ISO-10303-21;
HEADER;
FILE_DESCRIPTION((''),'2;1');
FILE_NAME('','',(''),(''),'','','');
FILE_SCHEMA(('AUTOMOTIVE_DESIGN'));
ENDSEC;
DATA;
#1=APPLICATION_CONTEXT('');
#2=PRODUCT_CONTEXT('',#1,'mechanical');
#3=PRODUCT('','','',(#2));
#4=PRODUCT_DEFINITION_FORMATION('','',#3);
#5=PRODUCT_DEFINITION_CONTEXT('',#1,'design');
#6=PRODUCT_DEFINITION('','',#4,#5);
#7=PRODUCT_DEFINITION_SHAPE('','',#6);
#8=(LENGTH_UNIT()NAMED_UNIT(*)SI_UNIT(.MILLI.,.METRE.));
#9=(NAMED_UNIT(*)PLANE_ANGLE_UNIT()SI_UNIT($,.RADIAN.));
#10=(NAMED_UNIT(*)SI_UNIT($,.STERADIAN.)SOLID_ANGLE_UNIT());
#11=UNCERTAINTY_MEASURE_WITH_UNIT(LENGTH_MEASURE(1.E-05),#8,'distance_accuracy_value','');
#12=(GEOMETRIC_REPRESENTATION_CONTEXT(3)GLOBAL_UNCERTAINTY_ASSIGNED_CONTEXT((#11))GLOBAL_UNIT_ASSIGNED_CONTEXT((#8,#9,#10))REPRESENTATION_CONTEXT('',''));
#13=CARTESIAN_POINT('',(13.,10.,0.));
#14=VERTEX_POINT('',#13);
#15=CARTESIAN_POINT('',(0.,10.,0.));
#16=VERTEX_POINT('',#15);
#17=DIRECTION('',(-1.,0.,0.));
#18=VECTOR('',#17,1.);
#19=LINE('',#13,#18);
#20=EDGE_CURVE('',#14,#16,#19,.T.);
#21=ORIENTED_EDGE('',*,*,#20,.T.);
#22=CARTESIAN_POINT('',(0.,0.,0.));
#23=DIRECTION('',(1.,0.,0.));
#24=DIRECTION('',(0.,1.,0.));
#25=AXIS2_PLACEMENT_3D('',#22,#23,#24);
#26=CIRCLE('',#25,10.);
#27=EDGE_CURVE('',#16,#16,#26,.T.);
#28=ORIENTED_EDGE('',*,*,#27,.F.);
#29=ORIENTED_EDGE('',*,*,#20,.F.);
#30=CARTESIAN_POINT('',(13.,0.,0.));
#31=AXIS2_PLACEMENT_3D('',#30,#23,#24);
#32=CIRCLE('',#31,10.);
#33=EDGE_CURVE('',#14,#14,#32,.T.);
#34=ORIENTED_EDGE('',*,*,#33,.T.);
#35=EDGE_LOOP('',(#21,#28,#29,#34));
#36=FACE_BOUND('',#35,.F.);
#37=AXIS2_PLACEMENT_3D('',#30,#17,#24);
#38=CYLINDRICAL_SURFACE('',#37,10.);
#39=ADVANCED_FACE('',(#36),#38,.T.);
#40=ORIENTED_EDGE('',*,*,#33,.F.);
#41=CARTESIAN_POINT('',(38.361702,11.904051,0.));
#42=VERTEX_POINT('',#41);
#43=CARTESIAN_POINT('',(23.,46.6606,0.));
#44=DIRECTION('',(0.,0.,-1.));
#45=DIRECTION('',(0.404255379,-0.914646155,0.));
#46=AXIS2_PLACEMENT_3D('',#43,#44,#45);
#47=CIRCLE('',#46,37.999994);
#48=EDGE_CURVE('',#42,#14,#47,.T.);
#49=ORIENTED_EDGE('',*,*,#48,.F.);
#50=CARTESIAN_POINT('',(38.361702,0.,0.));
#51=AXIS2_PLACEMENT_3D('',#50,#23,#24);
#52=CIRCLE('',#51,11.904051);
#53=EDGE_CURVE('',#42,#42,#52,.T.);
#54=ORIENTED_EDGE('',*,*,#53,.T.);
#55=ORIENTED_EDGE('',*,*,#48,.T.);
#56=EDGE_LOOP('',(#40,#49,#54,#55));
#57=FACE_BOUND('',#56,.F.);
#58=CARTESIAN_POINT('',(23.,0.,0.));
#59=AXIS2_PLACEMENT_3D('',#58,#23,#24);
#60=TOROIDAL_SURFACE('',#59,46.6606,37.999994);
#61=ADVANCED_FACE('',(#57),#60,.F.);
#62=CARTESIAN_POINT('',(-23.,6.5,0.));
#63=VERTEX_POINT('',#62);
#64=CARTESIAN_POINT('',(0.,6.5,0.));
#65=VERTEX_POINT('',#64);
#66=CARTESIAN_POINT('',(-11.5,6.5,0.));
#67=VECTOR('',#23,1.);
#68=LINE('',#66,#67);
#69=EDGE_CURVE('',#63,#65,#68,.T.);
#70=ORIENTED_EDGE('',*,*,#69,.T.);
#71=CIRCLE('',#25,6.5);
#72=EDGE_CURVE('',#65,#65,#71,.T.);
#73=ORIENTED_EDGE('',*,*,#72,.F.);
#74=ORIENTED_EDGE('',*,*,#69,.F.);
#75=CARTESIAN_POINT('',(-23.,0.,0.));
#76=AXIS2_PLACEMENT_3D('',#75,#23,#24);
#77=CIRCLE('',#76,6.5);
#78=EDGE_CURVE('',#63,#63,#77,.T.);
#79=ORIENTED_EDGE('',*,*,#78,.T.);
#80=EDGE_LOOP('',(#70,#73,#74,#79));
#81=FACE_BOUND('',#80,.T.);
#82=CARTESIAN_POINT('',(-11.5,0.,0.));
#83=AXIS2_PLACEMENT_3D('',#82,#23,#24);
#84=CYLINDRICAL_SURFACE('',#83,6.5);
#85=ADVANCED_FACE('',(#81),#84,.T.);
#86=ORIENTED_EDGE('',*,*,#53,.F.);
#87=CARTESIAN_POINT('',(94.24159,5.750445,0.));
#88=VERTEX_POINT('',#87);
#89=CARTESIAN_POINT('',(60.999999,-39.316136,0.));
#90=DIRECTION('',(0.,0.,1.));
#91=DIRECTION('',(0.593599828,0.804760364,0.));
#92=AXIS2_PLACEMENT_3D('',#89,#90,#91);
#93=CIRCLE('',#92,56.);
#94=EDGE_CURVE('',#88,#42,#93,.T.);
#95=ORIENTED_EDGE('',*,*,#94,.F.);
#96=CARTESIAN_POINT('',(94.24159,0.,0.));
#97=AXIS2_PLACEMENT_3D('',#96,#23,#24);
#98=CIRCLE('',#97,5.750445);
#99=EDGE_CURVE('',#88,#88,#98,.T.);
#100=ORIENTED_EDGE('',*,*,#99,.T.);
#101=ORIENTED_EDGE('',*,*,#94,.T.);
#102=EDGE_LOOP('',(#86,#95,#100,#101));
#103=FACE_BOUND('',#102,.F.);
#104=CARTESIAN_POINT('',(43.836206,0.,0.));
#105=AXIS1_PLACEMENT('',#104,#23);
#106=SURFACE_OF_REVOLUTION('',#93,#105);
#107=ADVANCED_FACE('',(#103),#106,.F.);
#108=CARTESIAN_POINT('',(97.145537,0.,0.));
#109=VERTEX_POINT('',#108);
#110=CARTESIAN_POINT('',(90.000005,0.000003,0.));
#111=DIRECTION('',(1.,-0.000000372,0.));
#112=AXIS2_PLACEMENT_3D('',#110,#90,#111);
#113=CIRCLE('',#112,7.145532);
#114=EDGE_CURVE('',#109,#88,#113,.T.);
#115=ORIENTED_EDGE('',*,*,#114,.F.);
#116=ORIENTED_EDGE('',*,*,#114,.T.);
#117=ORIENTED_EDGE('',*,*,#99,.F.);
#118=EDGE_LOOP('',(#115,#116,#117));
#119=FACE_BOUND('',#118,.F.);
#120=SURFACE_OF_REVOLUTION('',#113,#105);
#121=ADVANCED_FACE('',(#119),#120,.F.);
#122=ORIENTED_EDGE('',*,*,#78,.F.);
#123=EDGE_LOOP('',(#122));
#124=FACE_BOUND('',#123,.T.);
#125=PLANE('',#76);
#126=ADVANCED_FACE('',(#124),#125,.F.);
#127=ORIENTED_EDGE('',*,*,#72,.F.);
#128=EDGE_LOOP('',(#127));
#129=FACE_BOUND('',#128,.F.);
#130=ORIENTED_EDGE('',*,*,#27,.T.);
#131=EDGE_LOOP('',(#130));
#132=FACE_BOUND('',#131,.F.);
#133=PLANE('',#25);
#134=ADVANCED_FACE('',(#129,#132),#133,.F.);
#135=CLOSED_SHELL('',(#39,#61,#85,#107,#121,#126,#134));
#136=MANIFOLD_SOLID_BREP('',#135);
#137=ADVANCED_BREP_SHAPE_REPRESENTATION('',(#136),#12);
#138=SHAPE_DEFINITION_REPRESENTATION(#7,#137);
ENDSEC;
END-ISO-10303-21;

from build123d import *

# Parameters (mm, degrees)
F0_W = 23
F0_H = 6.5


with BuildPart() as f1:
    # F0 (on Top) → F1 (revolve)
    with BuildSketch(Plane.XY):
        with BuildLine():
            Line((0, 10), (0, 6.5))
            Line((0, 6.5), (0, 0))
            Line((0, 0), (97.145537, 0))
            ThreePointArc((97.145537, 0), (96.378368, 3.221045), (94.24159, 5.750445))
            ThreePointArc((94.24159, 5.750445), (67.129777, 16.34737), (38.361702, 11.904051))
            ThreePointArc((38.361702, 11.904051), (25.844875, 8.767246), (13, 10))
            Line((13, 10), (0, 10))
        make_face()
    revolve(axis=Axis((43.836206, 0, 0), (1, 0, 0)))

    # F0 (on Top) → F2 (revolve)
    with BuildSketch(Plane.XY):
        with Locations((-11.5, 3.25)):
            Rectangle(F0_W, F0_H)
    revolve(axis=Axis((-11.5, 0, 0), (1, 0, 0)))


solid = f1.part
